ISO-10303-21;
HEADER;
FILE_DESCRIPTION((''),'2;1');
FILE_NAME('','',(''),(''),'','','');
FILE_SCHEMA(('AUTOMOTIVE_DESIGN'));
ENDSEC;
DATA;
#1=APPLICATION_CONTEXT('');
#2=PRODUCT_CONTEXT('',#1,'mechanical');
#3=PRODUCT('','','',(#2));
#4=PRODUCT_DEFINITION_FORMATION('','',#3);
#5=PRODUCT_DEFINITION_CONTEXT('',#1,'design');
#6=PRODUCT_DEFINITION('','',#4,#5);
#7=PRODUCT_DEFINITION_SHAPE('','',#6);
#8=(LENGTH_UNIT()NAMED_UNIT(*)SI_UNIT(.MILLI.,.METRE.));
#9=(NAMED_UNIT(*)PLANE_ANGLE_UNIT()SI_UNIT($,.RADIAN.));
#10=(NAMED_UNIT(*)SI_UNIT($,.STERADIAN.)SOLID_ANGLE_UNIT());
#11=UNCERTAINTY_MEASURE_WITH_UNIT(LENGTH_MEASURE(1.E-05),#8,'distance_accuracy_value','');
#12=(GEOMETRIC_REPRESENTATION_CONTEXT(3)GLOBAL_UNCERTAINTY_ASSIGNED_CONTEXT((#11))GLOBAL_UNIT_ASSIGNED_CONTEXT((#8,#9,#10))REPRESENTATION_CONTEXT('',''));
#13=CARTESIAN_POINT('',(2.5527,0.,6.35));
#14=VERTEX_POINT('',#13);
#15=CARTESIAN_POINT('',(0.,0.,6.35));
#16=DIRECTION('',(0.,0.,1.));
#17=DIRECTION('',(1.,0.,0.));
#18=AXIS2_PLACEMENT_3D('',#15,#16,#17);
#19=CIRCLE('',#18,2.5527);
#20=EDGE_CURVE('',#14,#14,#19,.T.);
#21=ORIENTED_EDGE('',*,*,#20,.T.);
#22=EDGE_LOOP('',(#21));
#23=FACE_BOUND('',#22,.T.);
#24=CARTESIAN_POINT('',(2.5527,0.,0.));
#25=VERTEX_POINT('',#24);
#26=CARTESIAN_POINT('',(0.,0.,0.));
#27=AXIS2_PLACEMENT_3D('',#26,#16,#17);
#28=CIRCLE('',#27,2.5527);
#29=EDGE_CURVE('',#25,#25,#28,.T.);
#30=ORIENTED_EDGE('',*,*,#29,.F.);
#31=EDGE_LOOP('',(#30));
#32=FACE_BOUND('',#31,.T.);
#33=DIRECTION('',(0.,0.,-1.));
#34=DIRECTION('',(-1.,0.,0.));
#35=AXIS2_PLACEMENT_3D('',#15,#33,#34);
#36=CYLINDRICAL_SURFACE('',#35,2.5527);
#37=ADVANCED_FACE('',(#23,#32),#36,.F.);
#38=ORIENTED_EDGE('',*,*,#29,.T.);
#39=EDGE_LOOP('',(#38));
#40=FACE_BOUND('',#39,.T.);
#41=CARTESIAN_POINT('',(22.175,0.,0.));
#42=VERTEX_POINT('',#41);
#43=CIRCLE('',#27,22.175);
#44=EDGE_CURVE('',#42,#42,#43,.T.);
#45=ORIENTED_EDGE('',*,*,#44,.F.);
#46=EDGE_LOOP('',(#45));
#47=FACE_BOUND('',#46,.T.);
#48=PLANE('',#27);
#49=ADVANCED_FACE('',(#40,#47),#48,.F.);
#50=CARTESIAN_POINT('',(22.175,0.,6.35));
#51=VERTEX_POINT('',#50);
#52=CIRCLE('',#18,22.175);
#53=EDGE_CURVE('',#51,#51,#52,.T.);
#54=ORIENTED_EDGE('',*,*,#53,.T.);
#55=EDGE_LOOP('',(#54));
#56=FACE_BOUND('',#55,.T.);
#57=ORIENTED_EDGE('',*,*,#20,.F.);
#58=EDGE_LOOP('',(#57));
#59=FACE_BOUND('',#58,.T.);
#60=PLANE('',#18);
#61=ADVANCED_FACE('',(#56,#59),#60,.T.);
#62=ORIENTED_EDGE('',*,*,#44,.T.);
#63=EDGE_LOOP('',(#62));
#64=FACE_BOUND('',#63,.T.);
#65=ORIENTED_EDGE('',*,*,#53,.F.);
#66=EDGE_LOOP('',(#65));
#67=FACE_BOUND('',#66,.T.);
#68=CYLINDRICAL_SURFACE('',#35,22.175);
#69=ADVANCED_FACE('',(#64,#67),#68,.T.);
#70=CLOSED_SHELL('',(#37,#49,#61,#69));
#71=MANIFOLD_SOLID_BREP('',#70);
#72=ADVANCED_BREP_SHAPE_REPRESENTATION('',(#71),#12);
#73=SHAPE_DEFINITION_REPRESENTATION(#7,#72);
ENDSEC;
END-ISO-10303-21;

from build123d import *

# Parameters (mm, degrees)
SKETCH1_R           = 22.175
SKETCH1_R_2         = 2.5527
BOSS_EXTRUDE1_DEPTH = 6.35


with BuildPart() as part:
    # Sketch1 → Boss-Extrude1 (new body)
    with BuildSketch(Plane.XY):
        Circle(SKETCH1_R)
        Circle(SKETCH1_R_2, mode=Mode.SUBTRACT)
    extrude(amount=BOSS_EXTRUDE1_DEPTH)


solid = part.part
